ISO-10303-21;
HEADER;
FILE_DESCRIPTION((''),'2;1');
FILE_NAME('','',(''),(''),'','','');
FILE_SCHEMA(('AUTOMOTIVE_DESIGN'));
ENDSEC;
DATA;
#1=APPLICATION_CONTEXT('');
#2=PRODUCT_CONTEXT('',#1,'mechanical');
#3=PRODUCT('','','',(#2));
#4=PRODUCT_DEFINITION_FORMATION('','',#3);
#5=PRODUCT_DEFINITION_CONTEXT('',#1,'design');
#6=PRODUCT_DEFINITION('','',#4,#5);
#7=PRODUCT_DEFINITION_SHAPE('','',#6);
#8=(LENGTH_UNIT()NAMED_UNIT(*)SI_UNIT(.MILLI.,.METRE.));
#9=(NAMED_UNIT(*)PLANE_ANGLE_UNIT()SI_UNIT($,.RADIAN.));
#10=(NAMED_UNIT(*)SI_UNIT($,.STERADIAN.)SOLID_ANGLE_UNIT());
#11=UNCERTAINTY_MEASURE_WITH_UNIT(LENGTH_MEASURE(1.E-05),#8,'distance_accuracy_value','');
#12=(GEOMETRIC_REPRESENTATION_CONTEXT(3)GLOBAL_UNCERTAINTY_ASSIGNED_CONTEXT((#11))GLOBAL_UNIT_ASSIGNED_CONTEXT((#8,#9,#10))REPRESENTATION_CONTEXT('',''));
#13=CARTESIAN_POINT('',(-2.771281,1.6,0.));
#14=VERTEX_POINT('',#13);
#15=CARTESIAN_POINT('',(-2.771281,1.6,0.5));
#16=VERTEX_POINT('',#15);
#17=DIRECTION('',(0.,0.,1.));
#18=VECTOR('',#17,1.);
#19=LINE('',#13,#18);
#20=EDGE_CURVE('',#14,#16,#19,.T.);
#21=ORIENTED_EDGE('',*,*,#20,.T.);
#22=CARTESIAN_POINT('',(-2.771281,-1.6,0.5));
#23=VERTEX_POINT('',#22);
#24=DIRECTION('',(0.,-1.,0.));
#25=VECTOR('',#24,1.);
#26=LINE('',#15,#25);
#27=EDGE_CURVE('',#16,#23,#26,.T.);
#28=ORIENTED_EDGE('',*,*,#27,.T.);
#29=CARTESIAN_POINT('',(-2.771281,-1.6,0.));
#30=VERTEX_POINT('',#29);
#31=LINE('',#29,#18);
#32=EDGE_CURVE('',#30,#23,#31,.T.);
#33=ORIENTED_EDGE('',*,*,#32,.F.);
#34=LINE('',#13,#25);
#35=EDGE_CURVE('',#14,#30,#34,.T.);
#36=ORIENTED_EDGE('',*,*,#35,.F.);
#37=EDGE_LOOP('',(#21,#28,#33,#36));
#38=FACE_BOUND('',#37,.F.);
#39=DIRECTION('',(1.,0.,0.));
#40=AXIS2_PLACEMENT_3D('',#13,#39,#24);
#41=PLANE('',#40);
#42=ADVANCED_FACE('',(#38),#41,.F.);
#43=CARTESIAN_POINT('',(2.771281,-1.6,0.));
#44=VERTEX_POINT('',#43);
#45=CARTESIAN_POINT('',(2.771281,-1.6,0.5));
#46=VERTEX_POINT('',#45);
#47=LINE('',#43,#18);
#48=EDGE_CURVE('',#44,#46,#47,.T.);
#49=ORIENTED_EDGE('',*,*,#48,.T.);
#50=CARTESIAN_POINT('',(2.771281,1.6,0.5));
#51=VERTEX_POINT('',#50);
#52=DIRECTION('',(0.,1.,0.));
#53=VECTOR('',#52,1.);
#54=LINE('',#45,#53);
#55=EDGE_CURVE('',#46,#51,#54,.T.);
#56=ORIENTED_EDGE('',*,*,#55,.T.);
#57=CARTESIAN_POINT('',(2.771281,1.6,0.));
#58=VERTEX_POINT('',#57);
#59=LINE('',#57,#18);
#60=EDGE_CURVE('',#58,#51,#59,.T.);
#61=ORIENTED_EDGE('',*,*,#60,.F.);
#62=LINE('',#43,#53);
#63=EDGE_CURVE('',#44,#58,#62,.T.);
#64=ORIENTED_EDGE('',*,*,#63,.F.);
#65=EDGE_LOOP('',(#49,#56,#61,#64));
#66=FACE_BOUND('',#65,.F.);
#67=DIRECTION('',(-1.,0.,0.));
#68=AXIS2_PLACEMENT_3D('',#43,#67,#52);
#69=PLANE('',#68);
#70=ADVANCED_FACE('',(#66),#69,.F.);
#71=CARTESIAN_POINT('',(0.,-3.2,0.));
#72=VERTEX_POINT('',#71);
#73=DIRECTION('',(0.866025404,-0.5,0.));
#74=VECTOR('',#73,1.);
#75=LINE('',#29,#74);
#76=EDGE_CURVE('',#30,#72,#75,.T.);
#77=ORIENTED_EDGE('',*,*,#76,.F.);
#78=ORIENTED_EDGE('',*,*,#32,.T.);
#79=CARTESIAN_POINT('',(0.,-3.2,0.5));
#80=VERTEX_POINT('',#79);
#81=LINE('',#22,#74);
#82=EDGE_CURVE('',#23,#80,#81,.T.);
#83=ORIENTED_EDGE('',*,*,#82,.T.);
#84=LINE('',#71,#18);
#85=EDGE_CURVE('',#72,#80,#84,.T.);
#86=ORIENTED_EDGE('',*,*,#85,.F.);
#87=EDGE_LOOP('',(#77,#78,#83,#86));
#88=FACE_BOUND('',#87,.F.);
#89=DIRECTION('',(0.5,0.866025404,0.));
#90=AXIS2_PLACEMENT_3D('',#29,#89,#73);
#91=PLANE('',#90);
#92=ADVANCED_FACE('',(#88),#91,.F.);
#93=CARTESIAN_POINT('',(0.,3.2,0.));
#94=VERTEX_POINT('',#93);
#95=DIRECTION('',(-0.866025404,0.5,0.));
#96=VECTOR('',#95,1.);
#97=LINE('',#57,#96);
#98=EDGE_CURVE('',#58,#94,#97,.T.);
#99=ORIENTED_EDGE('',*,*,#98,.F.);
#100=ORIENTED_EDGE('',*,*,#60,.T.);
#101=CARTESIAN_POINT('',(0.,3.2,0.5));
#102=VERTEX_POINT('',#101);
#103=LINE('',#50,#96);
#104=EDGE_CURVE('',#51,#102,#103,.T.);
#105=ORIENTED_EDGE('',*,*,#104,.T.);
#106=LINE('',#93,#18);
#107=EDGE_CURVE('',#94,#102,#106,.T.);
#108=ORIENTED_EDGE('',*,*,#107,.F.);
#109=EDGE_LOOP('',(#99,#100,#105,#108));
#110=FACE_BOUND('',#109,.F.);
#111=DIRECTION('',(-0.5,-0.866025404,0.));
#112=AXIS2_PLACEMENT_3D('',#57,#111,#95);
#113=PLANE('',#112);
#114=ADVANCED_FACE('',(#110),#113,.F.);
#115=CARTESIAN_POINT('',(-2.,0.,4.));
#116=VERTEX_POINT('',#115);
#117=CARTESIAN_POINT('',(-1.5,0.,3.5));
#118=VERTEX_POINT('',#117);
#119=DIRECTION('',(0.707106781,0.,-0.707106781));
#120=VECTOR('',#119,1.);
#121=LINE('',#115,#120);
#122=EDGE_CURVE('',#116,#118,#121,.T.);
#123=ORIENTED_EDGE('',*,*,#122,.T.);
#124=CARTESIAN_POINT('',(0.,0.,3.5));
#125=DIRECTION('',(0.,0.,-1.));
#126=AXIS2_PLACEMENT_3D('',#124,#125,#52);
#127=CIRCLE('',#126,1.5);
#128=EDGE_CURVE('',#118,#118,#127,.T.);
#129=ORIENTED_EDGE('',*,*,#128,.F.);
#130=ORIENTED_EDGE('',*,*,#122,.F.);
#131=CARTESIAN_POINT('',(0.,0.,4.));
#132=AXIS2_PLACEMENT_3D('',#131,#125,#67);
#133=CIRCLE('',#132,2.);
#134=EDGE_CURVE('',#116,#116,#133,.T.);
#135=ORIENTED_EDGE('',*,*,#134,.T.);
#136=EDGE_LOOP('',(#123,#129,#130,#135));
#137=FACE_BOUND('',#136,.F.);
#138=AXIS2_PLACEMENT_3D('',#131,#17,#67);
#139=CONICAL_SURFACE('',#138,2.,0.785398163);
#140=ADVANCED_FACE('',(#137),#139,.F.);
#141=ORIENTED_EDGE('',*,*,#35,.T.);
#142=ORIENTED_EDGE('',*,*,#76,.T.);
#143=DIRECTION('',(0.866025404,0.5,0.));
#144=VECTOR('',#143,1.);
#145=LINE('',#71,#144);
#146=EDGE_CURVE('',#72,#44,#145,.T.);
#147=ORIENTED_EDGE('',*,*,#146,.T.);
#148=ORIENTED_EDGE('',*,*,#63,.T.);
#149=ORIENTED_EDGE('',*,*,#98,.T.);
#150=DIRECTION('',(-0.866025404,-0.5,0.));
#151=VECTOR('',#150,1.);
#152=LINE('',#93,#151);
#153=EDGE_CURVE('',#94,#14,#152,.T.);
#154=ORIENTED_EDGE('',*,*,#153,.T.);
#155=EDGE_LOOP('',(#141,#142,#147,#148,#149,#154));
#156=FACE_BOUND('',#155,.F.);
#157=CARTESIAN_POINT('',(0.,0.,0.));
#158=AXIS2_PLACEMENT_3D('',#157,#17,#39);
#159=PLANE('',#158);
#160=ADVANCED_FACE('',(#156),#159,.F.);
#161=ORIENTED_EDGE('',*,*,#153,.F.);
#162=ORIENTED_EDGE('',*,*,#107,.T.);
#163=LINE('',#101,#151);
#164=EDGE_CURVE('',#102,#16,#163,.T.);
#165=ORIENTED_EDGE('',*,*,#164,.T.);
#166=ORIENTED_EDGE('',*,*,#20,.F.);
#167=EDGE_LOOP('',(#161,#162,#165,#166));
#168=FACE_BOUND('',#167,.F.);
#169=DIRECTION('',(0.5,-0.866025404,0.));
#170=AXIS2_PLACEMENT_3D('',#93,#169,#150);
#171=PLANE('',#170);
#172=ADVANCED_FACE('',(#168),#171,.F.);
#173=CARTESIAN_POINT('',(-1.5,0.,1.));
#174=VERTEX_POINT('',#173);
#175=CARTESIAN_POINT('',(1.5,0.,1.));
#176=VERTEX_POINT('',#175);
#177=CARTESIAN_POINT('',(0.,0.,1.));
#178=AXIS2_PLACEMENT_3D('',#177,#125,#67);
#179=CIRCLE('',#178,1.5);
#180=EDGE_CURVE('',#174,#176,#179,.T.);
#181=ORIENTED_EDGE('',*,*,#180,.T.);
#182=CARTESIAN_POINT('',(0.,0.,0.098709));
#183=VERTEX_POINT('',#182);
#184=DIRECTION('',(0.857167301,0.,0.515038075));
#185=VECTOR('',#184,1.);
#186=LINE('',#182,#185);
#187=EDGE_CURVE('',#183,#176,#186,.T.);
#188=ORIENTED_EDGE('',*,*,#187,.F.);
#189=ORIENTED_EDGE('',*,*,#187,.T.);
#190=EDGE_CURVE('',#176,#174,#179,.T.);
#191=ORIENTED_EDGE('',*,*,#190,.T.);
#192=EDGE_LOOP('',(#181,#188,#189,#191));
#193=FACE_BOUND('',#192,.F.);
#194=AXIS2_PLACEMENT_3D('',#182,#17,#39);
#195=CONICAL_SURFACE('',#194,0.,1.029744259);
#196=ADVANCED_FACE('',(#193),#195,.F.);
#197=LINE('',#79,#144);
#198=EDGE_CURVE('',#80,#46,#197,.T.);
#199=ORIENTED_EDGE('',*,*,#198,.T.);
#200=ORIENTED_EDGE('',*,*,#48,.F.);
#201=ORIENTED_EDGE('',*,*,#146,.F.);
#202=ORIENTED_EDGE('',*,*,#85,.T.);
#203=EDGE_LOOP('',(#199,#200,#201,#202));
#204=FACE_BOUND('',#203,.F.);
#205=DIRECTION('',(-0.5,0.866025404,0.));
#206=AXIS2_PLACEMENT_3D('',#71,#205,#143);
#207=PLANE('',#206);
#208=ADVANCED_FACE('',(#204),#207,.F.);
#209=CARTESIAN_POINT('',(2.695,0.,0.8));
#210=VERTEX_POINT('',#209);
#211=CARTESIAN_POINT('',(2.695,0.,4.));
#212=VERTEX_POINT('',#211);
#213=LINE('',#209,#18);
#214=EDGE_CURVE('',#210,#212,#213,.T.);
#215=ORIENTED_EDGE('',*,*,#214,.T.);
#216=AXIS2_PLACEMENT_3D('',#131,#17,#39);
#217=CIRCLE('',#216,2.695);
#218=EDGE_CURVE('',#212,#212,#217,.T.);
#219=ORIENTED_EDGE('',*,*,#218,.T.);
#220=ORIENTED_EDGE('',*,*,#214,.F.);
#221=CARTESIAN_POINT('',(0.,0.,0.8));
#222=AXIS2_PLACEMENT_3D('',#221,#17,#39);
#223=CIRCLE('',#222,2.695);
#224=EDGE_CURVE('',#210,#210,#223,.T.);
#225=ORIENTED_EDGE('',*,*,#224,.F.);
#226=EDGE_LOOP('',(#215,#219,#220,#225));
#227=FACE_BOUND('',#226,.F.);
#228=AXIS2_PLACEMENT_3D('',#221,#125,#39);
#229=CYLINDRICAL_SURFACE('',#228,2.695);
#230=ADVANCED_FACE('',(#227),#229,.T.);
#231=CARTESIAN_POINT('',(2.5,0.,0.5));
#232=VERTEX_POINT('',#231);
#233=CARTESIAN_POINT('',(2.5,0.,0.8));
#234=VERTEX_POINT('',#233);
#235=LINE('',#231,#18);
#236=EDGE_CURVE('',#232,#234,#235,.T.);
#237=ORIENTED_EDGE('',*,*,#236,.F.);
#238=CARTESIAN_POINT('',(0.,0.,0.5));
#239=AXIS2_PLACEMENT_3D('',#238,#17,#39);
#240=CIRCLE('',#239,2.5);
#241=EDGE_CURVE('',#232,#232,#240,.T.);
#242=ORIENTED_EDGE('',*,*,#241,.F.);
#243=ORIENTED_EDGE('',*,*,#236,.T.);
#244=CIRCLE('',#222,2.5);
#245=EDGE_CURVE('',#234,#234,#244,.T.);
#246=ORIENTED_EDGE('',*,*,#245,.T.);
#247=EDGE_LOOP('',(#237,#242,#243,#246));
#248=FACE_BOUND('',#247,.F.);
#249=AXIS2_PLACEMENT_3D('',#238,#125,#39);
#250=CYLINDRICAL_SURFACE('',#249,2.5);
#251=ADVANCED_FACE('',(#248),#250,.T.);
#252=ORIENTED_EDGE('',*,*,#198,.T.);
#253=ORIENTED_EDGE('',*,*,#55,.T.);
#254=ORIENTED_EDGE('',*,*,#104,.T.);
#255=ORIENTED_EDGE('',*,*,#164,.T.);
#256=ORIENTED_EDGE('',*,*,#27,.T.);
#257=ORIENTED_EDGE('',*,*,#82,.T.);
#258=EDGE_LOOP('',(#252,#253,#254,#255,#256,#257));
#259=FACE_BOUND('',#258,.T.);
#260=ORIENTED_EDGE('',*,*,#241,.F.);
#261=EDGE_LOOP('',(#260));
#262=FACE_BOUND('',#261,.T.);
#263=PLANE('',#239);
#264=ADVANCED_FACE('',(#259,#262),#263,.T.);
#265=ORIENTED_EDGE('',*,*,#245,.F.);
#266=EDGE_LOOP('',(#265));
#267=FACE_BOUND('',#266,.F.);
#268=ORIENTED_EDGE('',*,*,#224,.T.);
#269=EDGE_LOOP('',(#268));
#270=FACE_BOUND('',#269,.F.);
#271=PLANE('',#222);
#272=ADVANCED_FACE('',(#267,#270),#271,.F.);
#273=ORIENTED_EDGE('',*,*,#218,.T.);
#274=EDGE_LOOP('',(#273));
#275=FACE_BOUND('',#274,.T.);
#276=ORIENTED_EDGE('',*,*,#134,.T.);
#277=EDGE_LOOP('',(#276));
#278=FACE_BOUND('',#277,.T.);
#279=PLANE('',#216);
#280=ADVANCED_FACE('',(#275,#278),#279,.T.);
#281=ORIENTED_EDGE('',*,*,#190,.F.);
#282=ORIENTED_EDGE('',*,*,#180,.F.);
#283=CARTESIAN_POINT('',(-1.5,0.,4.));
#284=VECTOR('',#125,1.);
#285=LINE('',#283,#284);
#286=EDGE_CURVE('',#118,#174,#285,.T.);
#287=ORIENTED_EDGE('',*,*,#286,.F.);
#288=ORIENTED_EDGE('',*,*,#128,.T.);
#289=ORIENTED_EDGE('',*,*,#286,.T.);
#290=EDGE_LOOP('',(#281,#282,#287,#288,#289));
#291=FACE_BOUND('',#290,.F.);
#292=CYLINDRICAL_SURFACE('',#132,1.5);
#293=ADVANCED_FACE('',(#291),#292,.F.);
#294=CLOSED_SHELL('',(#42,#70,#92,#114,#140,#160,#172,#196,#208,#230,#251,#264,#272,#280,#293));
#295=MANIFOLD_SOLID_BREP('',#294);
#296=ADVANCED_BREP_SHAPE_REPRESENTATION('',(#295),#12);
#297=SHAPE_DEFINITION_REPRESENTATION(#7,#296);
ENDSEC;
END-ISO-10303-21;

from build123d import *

# Parameters (mm, degrees)
F1_DEPTH       = 0.5
F2_R           = 2.5
F3_DEPTH       = 0.3
F4_R           = 2.695
F5_DEPTH       = 3.2
F7_D           = 3
F7_DEPTH       = 3
F7_CSINK_D     = 4
F7_CSINK_ANGLE = 90
F7_TIP         = 0.9012909285


with BuildPart() as f1:
    # F0 (on Top) → F1 (new body)
    with BuildSketch(Plane.XY):
        Polygon((-2.7712812921, -1.6), (0, -3.2), (2.7712812921, -1.6), (2.7712812921, 1.6), (0, 3.2), (-2.7712812921, 1.6), align=None)
    extrude(amount=F1_DEPTH)

    # F2 (on face) → F3 (join)
    with BuildSketch(Plane.XY.offset(0.5)):
        Circle(F2_R)
    extrude(amount=F3_DEPTH)

    # F4 (on face) → F5 (join)
    with BuildSketch(Plane.XY.offset(0.8)):
        Circle(F4_R)
    extrude(amount=F5_DEPTH)

    # F7
    with Locations(Plane.XY.offset(4)):
        with Locations((0, 0)):
            CounterSinkHole(F7_D / 2, F7_CSINK_D / 2, depth=F7_DEPTH, counter_sink_angle=F7_CSINK_ANGLE)
            with Locations((0, 0, -(F7_DEPTH + F7_TIP / 2))):  # 118° drill point
                Cone(0, F7_D / 2, F7_TIP, mode=Mode.SUBTRACT)


solid = f1.part
